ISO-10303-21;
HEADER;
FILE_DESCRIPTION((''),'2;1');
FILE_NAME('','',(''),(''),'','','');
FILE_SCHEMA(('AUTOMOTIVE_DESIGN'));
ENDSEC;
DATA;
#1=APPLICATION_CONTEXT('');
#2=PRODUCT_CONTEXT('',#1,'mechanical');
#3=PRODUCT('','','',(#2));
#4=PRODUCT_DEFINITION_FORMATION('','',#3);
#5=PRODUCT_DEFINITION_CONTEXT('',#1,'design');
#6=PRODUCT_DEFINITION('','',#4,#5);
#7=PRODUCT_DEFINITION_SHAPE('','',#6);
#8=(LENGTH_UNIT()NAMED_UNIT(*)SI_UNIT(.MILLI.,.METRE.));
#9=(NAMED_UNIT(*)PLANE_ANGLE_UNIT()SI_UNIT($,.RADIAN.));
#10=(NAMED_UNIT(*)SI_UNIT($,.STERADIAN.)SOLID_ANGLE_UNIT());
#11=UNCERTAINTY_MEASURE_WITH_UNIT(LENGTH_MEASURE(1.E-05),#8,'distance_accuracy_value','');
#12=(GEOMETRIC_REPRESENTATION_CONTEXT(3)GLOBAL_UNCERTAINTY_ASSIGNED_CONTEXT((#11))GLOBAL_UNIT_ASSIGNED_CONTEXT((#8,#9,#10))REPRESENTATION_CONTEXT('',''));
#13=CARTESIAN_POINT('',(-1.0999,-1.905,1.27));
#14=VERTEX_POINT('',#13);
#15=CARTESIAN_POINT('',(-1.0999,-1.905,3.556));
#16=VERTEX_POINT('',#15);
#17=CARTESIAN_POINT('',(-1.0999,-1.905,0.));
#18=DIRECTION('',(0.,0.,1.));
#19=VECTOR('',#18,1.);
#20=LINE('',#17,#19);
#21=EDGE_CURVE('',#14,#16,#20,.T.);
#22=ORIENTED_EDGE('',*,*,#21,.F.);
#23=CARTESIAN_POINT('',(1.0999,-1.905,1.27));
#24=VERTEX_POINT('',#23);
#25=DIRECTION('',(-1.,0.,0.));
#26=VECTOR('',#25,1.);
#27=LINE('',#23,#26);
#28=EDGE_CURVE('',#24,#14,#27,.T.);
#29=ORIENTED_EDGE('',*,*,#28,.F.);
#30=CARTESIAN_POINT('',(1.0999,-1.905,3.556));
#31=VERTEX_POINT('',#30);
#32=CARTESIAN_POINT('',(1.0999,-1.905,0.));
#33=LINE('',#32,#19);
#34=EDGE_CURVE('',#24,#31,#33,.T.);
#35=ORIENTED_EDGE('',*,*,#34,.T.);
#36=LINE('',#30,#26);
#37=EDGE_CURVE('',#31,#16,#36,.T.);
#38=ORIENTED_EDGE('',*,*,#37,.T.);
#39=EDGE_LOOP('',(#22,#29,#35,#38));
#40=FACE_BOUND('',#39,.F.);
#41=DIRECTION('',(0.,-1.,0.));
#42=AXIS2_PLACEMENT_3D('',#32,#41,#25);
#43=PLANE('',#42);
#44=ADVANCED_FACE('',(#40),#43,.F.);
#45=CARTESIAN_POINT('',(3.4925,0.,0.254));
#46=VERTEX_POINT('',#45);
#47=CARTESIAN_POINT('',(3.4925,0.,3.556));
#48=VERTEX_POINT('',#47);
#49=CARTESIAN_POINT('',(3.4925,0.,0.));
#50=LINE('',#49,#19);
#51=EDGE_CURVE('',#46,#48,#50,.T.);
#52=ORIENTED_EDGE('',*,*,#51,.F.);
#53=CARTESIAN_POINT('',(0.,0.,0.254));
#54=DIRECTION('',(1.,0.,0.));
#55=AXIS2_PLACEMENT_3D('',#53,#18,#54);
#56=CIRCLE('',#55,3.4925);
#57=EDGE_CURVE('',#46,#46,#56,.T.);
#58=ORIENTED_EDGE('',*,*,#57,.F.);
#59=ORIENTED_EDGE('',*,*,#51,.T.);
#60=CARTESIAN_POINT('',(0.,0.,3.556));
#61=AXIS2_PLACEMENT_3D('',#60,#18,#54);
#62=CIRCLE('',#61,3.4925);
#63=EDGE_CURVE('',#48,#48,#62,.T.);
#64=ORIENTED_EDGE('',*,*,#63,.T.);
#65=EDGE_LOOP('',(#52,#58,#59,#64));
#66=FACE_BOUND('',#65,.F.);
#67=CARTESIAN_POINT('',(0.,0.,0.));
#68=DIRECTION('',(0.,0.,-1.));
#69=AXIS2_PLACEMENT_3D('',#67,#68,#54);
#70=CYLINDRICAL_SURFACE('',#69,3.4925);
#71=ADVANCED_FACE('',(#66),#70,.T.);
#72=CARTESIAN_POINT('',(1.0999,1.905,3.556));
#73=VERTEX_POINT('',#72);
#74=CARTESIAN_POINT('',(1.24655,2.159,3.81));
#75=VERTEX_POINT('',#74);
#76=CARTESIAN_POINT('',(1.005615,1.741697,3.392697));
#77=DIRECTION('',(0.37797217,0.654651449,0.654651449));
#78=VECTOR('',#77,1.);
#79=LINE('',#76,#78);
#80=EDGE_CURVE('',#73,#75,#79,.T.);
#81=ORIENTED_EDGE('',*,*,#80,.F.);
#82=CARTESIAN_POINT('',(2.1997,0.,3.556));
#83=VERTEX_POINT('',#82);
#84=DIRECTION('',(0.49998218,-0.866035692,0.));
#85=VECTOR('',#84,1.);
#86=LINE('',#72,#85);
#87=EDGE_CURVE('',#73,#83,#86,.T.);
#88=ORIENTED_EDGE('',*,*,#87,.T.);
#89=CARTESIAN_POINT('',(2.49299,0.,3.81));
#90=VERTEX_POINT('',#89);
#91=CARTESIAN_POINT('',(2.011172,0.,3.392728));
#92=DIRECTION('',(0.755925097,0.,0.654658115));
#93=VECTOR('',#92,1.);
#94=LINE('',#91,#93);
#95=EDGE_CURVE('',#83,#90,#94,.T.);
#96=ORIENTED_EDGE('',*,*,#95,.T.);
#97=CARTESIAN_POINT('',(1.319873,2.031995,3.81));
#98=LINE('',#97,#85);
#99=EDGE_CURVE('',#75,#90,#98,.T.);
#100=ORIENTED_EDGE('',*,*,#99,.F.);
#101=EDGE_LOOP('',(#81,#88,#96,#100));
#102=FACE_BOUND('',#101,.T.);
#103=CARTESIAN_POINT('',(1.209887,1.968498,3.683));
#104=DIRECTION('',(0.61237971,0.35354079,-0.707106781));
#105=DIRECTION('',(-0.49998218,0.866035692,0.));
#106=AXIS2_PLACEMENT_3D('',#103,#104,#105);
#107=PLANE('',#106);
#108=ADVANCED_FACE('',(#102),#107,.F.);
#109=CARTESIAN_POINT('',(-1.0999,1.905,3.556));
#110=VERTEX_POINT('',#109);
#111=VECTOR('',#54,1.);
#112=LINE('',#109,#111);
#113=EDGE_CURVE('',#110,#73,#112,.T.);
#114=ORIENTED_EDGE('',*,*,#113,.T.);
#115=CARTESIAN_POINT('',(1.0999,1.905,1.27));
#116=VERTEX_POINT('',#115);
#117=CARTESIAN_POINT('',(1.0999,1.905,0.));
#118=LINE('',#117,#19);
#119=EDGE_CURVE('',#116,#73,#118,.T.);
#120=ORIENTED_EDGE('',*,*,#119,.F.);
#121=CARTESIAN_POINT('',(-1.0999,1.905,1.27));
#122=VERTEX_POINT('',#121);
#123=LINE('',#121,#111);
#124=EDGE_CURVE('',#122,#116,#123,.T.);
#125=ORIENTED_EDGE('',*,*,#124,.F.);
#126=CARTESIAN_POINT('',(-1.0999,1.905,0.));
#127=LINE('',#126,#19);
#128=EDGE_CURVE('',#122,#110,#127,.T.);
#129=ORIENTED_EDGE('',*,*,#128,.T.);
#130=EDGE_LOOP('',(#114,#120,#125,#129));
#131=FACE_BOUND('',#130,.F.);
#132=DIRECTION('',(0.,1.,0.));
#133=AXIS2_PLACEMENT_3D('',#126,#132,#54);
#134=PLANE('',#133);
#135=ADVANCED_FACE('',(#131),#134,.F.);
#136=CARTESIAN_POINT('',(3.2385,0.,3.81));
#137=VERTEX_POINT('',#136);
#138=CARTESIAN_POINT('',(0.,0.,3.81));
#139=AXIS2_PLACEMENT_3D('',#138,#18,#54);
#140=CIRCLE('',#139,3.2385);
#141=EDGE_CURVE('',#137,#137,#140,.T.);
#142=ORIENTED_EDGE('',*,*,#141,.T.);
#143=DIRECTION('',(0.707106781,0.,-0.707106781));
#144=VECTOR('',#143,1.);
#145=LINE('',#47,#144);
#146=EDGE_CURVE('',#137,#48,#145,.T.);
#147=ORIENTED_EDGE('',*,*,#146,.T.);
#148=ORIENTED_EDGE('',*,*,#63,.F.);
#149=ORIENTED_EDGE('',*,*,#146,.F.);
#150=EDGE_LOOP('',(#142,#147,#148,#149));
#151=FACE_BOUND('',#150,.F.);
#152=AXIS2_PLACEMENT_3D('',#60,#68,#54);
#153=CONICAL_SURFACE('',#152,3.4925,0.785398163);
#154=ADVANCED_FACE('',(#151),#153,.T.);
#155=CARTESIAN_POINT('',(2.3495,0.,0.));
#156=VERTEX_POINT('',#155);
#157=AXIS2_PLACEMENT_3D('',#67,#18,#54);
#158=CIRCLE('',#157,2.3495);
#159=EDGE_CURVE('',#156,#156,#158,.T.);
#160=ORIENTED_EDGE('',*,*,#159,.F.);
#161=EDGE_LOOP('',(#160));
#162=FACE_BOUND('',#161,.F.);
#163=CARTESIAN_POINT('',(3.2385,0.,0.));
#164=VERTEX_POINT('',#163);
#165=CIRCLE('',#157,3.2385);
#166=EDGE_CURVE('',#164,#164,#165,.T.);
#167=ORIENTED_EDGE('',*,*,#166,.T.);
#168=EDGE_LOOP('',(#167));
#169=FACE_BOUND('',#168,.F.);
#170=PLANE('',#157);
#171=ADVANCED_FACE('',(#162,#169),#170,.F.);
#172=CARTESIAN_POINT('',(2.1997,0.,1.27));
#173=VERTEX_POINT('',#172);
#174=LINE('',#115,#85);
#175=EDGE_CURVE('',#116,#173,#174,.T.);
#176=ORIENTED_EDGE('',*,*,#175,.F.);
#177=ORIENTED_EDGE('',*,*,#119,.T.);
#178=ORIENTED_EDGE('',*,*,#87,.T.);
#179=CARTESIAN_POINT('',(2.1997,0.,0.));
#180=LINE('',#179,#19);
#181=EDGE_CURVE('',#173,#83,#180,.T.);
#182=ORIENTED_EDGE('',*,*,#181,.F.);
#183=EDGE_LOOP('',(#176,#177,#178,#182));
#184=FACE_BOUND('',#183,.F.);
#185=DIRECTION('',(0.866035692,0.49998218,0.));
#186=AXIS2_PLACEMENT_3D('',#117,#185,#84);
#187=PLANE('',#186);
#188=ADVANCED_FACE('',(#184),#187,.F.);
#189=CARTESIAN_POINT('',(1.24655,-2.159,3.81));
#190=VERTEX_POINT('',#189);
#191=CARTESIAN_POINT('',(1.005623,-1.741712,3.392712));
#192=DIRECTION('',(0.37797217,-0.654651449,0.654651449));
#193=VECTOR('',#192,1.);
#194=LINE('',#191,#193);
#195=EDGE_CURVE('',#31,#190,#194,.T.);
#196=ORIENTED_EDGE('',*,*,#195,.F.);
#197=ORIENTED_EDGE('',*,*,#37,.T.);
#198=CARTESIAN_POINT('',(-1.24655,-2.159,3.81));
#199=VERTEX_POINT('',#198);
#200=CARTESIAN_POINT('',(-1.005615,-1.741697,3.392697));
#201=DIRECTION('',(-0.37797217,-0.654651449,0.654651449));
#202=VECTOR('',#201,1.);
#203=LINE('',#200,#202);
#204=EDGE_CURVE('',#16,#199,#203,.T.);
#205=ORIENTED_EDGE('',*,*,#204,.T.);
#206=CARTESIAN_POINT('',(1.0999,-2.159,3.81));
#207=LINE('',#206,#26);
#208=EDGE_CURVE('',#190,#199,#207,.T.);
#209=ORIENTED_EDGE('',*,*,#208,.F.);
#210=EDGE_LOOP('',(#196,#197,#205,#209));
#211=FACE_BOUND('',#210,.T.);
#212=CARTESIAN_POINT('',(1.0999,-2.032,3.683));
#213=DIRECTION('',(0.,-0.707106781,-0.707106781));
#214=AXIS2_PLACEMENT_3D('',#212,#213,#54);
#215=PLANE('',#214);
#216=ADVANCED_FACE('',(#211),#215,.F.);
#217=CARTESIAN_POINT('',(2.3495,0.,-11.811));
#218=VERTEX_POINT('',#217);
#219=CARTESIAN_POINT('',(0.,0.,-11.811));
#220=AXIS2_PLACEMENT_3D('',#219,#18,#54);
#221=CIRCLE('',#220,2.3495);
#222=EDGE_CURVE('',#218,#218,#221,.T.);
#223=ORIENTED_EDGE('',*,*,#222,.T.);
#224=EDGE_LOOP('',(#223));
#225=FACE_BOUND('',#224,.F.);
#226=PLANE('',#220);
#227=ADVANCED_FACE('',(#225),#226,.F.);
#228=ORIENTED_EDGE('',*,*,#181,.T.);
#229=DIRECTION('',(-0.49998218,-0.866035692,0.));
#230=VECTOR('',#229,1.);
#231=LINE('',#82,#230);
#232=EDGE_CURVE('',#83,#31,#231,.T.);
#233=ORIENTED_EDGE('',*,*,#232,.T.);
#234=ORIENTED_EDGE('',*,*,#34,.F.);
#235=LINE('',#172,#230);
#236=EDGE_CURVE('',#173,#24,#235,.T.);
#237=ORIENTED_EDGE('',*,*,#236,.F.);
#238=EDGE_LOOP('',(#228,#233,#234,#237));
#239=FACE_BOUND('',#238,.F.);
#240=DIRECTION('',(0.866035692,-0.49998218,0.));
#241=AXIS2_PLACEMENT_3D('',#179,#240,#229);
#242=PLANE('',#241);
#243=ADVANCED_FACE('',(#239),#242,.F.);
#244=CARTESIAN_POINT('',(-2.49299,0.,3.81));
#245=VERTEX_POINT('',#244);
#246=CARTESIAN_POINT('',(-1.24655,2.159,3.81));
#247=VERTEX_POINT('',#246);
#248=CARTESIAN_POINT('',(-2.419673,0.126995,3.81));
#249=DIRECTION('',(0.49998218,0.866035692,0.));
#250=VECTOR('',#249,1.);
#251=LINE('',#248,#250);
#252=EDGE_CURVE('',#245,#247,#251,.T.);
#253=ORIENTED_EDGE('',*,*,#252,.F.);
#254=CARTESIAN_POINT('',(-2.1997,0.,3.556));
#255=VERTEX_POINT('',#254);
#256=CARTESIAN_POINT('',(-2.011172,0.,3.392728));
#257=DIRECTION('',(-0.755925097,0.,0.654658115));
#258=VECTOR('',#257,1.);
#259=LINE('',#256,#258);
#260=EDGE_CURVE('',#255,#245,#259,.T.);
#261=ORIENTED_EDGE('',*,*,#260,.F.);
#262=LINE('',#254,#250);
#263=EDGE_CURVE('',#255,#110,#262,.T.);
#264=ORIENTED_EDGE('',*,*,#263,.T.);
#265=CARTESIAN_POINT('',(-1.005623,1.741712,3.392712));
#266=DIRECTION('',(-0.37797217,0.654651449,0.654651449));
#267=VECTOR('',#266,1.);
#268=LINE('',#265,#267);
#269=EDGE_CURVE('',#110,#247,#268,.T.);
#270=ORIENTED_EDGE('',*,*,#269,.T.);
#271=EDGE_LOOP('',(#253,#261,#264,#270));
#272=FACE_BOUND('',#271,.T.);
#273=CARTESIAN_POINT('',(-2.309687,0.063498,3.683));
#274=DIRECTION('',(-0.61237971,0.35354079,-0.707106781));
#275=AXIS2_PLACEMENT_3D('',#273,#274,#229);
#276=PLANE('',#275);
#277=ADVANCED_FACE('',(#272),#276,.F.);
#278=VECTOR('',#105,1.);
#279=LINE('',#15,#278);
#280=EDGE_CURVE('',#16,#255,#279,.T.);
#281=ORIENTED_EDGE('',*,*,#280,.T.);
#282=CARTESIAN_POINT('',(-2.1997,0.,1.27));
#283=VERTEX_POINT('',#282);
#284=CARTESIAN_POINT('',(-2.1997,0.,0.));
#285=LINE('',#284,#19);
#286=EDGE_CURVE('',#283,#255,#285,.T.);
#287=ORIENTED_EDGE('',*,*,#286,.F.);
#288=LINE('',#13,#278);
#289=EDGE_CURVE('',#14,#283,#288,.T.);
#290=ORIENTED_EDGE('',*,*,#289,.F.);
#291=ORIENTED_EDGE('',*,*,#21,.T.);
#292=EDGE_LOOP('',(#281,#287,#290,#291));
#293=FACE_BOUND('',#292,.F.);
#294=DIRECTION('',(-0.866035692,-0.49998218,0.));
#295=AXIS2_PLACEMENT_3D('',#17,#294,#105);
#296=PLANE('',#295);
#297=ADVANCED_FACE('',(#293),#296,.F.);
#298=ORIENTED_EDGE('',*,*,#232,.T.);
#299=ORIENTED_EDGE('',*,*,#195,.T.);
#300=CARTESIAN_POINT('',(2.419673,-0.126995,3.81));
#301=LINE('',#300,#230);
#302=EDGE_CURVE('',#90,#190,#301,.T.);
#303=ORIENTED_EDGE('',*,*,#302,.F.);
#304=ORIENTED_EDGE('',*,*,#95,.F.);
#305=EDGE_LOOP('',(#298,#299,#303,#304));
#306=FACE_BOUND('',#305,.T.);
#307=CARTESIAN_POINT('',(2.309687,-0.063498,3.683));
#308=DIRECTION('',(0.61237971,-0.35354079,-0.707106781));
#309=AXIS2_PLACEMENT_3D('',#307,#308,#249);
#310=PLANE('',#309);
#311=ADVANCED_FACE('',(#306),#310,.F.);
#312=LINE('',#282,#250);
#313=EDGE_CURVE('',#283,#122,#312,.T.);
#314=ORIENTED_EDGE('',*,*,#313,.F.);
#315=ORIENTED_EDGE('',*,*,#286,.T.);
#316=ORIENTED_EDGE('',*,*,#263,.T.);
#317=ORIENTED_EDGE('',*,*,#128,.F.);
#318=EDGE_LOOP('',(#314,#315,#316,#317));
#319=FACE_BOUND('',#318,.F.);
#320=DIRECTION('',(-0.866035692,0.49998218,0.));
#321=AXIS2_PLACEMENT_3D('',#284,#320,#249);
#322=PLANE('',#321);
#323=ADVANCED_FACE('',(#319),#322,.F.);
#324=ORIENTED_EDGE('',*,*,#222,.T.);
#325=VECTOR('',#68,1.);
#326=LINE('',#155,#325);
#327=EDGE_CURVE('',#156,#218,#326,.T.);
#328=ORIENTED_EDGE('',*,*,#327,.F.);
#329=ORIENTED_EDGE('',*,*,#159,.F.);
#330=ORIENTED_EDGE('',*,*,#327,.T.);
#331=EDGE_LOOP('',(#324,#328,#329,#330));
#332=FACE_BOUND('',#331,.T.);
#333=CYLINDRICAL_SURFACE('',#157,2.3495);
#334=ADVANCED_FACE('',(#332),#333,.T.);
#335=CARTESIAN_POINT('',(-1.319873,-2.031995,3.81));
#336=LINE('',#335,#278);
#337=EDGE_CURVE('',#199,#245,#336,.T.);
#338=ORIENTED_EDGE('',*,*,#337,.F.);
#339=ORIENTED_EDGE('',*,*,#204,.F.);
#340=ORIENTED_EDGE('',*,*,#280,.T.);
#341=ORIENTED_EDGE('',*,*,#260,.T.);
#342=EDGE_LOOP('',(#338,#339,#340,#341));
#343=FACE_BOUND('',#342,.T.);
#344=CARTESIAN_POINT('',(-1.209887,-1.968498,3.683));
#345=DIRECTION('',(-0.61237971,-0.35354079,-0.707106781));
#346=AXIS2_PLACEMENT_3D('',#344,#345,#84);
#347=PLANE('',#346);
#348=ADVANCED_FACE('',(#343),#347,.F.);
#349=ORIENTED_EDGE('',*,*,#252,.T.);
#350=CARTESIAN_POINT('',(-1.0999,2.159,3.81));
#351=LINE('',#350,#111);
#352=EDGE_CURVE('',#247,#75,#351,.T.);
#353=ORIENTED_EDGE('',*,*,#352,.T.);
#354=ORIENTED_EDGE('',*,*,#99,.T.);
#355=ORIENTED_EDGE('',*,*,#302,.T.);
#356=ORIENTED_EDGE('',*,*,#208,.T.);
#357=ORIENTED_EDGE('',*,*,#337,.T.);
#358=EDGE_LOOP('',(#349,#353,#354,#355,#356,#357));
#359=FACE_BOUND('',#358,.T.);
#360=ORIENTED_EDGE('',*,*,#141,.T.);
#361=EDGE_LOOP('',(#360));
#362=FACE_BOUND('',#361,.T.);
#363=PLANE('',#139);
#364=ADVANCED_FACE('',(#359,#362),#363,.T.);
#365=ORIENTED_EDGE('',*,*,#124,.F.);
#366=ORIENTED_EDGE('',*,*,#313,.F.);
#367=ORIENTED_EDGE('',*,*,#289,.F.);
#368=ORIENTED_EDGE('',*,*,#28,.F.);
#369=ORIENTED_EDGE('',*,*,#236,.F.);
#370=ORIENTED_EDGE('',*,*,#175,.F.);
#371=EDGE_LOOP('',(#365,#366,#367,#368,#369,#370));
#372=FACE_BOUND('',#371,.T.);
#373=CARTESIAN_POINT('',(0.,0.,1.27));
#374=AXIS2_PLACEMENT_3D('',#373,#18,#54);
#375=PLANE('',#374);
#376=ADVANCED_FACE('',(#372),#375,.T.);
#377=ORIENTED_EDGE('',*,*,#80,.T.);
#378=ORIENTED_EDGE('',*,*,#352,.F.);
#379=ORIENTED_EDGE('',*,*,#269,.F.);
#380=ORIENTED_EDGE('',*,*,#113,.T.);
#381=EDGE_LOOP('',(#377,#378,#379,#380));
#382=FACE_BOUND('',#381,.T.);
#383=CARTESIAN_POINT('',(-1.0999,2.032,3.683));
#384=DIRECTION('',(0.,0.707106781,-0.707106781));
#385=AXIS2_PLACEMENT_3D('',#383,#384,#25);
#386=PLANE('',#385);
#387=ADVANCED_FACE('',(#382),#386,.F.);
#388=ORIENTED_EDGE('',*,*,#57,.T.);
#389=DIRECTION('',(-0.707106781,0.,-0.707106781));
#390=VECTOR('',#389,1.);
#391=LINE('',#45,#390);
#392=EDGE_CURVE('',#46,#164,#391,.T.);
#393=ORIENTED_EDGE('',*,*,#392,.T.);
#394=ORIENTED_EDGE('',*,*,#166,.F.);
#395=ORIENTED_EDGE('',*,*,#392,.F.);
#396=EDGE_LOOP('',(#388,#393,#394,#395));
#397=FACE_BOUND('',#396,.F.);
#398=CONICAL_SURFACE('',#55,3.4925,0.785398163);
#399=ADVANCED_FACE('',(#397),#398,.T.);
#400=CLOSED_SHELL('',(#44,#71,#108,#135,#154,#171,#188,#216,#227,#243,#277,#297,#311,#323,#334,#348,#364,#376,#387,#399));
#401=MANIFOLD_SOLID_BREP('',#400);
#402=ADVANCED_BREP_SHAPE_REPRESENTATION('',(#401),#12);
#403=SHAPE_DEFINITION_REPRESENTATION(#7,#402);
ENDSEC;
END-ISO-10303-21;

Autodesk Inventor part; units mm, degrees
ref_plane "YZ Plane" through (0, 0, 0) normal (1, 0, 0) x (0, 1, 0)
ref_plane "XZ Plane" through (0, 0, 0) normal (0, 1, 0) x (-1, 0, 0)
ref_plane "XY Plane" through (0, 0, 0) normal (0, 0, 1) x (1, 0, 0)
sketch "Sketch1" plane through (0, 0, 0) normal (0, 0, 1) x (1, 0, 0)
  circle A0 centre (0, 0) radius 3.4925
  circle A1 centre (0, 0) radius 2.3495
  line L0 (2.1997, 0) -> (1.0999, -1.905)
  line L1 (1.0999, -1.905) -> (-1.0999, -1.905)
  line L2 (-1.0999, -1.905) -> (-2.1997, 0)
  line L3 (-2.1997, 0) -> (-1.0999, 1.905)
  line L4 (-1.0999, 1.905) -> (1.0999, 1.905)
  line L5 (1.0999, 1.905) -> (2.1997, 0)
  dimension "d0" = 6.985
  dimension "d1" = 4.699
  dimension "d2" = 3.81
extrude "Extrusion1" add sketch "Sketch1" along normal blind 3.81 contours A0 | A1
extrude "Extrusion2" add sketch "Sketch1" against normal blind 11.811 contours A1 | L0 L1 L2 L3 L4 L5
extrude "Extrusion3" add sketch "Sketch1" along normal blind 1.27 contours L0 L1 L2 L3 L4 L5
thread "Thread1" size "10-32 UNF" class "2A" standard "ANSI Unified Screw Threads" full length
chamfer "Chamfer1" distance 0.254 angle 45 8 edges at (-3.4925, 0, 3.81) (-3.4925, 0, 0) (-1.6498, 0.9525, 3.81) (-1.6498, -0.9525, 3.81) (0, -1.905, 3.81) (1.6498, -0.9525, 3.81) (1.6498, 0.9525, 3.81) (0, 1.905, 3.81)
properties part number "Gearbox Hex Machine Screw 4" material "Steel"
